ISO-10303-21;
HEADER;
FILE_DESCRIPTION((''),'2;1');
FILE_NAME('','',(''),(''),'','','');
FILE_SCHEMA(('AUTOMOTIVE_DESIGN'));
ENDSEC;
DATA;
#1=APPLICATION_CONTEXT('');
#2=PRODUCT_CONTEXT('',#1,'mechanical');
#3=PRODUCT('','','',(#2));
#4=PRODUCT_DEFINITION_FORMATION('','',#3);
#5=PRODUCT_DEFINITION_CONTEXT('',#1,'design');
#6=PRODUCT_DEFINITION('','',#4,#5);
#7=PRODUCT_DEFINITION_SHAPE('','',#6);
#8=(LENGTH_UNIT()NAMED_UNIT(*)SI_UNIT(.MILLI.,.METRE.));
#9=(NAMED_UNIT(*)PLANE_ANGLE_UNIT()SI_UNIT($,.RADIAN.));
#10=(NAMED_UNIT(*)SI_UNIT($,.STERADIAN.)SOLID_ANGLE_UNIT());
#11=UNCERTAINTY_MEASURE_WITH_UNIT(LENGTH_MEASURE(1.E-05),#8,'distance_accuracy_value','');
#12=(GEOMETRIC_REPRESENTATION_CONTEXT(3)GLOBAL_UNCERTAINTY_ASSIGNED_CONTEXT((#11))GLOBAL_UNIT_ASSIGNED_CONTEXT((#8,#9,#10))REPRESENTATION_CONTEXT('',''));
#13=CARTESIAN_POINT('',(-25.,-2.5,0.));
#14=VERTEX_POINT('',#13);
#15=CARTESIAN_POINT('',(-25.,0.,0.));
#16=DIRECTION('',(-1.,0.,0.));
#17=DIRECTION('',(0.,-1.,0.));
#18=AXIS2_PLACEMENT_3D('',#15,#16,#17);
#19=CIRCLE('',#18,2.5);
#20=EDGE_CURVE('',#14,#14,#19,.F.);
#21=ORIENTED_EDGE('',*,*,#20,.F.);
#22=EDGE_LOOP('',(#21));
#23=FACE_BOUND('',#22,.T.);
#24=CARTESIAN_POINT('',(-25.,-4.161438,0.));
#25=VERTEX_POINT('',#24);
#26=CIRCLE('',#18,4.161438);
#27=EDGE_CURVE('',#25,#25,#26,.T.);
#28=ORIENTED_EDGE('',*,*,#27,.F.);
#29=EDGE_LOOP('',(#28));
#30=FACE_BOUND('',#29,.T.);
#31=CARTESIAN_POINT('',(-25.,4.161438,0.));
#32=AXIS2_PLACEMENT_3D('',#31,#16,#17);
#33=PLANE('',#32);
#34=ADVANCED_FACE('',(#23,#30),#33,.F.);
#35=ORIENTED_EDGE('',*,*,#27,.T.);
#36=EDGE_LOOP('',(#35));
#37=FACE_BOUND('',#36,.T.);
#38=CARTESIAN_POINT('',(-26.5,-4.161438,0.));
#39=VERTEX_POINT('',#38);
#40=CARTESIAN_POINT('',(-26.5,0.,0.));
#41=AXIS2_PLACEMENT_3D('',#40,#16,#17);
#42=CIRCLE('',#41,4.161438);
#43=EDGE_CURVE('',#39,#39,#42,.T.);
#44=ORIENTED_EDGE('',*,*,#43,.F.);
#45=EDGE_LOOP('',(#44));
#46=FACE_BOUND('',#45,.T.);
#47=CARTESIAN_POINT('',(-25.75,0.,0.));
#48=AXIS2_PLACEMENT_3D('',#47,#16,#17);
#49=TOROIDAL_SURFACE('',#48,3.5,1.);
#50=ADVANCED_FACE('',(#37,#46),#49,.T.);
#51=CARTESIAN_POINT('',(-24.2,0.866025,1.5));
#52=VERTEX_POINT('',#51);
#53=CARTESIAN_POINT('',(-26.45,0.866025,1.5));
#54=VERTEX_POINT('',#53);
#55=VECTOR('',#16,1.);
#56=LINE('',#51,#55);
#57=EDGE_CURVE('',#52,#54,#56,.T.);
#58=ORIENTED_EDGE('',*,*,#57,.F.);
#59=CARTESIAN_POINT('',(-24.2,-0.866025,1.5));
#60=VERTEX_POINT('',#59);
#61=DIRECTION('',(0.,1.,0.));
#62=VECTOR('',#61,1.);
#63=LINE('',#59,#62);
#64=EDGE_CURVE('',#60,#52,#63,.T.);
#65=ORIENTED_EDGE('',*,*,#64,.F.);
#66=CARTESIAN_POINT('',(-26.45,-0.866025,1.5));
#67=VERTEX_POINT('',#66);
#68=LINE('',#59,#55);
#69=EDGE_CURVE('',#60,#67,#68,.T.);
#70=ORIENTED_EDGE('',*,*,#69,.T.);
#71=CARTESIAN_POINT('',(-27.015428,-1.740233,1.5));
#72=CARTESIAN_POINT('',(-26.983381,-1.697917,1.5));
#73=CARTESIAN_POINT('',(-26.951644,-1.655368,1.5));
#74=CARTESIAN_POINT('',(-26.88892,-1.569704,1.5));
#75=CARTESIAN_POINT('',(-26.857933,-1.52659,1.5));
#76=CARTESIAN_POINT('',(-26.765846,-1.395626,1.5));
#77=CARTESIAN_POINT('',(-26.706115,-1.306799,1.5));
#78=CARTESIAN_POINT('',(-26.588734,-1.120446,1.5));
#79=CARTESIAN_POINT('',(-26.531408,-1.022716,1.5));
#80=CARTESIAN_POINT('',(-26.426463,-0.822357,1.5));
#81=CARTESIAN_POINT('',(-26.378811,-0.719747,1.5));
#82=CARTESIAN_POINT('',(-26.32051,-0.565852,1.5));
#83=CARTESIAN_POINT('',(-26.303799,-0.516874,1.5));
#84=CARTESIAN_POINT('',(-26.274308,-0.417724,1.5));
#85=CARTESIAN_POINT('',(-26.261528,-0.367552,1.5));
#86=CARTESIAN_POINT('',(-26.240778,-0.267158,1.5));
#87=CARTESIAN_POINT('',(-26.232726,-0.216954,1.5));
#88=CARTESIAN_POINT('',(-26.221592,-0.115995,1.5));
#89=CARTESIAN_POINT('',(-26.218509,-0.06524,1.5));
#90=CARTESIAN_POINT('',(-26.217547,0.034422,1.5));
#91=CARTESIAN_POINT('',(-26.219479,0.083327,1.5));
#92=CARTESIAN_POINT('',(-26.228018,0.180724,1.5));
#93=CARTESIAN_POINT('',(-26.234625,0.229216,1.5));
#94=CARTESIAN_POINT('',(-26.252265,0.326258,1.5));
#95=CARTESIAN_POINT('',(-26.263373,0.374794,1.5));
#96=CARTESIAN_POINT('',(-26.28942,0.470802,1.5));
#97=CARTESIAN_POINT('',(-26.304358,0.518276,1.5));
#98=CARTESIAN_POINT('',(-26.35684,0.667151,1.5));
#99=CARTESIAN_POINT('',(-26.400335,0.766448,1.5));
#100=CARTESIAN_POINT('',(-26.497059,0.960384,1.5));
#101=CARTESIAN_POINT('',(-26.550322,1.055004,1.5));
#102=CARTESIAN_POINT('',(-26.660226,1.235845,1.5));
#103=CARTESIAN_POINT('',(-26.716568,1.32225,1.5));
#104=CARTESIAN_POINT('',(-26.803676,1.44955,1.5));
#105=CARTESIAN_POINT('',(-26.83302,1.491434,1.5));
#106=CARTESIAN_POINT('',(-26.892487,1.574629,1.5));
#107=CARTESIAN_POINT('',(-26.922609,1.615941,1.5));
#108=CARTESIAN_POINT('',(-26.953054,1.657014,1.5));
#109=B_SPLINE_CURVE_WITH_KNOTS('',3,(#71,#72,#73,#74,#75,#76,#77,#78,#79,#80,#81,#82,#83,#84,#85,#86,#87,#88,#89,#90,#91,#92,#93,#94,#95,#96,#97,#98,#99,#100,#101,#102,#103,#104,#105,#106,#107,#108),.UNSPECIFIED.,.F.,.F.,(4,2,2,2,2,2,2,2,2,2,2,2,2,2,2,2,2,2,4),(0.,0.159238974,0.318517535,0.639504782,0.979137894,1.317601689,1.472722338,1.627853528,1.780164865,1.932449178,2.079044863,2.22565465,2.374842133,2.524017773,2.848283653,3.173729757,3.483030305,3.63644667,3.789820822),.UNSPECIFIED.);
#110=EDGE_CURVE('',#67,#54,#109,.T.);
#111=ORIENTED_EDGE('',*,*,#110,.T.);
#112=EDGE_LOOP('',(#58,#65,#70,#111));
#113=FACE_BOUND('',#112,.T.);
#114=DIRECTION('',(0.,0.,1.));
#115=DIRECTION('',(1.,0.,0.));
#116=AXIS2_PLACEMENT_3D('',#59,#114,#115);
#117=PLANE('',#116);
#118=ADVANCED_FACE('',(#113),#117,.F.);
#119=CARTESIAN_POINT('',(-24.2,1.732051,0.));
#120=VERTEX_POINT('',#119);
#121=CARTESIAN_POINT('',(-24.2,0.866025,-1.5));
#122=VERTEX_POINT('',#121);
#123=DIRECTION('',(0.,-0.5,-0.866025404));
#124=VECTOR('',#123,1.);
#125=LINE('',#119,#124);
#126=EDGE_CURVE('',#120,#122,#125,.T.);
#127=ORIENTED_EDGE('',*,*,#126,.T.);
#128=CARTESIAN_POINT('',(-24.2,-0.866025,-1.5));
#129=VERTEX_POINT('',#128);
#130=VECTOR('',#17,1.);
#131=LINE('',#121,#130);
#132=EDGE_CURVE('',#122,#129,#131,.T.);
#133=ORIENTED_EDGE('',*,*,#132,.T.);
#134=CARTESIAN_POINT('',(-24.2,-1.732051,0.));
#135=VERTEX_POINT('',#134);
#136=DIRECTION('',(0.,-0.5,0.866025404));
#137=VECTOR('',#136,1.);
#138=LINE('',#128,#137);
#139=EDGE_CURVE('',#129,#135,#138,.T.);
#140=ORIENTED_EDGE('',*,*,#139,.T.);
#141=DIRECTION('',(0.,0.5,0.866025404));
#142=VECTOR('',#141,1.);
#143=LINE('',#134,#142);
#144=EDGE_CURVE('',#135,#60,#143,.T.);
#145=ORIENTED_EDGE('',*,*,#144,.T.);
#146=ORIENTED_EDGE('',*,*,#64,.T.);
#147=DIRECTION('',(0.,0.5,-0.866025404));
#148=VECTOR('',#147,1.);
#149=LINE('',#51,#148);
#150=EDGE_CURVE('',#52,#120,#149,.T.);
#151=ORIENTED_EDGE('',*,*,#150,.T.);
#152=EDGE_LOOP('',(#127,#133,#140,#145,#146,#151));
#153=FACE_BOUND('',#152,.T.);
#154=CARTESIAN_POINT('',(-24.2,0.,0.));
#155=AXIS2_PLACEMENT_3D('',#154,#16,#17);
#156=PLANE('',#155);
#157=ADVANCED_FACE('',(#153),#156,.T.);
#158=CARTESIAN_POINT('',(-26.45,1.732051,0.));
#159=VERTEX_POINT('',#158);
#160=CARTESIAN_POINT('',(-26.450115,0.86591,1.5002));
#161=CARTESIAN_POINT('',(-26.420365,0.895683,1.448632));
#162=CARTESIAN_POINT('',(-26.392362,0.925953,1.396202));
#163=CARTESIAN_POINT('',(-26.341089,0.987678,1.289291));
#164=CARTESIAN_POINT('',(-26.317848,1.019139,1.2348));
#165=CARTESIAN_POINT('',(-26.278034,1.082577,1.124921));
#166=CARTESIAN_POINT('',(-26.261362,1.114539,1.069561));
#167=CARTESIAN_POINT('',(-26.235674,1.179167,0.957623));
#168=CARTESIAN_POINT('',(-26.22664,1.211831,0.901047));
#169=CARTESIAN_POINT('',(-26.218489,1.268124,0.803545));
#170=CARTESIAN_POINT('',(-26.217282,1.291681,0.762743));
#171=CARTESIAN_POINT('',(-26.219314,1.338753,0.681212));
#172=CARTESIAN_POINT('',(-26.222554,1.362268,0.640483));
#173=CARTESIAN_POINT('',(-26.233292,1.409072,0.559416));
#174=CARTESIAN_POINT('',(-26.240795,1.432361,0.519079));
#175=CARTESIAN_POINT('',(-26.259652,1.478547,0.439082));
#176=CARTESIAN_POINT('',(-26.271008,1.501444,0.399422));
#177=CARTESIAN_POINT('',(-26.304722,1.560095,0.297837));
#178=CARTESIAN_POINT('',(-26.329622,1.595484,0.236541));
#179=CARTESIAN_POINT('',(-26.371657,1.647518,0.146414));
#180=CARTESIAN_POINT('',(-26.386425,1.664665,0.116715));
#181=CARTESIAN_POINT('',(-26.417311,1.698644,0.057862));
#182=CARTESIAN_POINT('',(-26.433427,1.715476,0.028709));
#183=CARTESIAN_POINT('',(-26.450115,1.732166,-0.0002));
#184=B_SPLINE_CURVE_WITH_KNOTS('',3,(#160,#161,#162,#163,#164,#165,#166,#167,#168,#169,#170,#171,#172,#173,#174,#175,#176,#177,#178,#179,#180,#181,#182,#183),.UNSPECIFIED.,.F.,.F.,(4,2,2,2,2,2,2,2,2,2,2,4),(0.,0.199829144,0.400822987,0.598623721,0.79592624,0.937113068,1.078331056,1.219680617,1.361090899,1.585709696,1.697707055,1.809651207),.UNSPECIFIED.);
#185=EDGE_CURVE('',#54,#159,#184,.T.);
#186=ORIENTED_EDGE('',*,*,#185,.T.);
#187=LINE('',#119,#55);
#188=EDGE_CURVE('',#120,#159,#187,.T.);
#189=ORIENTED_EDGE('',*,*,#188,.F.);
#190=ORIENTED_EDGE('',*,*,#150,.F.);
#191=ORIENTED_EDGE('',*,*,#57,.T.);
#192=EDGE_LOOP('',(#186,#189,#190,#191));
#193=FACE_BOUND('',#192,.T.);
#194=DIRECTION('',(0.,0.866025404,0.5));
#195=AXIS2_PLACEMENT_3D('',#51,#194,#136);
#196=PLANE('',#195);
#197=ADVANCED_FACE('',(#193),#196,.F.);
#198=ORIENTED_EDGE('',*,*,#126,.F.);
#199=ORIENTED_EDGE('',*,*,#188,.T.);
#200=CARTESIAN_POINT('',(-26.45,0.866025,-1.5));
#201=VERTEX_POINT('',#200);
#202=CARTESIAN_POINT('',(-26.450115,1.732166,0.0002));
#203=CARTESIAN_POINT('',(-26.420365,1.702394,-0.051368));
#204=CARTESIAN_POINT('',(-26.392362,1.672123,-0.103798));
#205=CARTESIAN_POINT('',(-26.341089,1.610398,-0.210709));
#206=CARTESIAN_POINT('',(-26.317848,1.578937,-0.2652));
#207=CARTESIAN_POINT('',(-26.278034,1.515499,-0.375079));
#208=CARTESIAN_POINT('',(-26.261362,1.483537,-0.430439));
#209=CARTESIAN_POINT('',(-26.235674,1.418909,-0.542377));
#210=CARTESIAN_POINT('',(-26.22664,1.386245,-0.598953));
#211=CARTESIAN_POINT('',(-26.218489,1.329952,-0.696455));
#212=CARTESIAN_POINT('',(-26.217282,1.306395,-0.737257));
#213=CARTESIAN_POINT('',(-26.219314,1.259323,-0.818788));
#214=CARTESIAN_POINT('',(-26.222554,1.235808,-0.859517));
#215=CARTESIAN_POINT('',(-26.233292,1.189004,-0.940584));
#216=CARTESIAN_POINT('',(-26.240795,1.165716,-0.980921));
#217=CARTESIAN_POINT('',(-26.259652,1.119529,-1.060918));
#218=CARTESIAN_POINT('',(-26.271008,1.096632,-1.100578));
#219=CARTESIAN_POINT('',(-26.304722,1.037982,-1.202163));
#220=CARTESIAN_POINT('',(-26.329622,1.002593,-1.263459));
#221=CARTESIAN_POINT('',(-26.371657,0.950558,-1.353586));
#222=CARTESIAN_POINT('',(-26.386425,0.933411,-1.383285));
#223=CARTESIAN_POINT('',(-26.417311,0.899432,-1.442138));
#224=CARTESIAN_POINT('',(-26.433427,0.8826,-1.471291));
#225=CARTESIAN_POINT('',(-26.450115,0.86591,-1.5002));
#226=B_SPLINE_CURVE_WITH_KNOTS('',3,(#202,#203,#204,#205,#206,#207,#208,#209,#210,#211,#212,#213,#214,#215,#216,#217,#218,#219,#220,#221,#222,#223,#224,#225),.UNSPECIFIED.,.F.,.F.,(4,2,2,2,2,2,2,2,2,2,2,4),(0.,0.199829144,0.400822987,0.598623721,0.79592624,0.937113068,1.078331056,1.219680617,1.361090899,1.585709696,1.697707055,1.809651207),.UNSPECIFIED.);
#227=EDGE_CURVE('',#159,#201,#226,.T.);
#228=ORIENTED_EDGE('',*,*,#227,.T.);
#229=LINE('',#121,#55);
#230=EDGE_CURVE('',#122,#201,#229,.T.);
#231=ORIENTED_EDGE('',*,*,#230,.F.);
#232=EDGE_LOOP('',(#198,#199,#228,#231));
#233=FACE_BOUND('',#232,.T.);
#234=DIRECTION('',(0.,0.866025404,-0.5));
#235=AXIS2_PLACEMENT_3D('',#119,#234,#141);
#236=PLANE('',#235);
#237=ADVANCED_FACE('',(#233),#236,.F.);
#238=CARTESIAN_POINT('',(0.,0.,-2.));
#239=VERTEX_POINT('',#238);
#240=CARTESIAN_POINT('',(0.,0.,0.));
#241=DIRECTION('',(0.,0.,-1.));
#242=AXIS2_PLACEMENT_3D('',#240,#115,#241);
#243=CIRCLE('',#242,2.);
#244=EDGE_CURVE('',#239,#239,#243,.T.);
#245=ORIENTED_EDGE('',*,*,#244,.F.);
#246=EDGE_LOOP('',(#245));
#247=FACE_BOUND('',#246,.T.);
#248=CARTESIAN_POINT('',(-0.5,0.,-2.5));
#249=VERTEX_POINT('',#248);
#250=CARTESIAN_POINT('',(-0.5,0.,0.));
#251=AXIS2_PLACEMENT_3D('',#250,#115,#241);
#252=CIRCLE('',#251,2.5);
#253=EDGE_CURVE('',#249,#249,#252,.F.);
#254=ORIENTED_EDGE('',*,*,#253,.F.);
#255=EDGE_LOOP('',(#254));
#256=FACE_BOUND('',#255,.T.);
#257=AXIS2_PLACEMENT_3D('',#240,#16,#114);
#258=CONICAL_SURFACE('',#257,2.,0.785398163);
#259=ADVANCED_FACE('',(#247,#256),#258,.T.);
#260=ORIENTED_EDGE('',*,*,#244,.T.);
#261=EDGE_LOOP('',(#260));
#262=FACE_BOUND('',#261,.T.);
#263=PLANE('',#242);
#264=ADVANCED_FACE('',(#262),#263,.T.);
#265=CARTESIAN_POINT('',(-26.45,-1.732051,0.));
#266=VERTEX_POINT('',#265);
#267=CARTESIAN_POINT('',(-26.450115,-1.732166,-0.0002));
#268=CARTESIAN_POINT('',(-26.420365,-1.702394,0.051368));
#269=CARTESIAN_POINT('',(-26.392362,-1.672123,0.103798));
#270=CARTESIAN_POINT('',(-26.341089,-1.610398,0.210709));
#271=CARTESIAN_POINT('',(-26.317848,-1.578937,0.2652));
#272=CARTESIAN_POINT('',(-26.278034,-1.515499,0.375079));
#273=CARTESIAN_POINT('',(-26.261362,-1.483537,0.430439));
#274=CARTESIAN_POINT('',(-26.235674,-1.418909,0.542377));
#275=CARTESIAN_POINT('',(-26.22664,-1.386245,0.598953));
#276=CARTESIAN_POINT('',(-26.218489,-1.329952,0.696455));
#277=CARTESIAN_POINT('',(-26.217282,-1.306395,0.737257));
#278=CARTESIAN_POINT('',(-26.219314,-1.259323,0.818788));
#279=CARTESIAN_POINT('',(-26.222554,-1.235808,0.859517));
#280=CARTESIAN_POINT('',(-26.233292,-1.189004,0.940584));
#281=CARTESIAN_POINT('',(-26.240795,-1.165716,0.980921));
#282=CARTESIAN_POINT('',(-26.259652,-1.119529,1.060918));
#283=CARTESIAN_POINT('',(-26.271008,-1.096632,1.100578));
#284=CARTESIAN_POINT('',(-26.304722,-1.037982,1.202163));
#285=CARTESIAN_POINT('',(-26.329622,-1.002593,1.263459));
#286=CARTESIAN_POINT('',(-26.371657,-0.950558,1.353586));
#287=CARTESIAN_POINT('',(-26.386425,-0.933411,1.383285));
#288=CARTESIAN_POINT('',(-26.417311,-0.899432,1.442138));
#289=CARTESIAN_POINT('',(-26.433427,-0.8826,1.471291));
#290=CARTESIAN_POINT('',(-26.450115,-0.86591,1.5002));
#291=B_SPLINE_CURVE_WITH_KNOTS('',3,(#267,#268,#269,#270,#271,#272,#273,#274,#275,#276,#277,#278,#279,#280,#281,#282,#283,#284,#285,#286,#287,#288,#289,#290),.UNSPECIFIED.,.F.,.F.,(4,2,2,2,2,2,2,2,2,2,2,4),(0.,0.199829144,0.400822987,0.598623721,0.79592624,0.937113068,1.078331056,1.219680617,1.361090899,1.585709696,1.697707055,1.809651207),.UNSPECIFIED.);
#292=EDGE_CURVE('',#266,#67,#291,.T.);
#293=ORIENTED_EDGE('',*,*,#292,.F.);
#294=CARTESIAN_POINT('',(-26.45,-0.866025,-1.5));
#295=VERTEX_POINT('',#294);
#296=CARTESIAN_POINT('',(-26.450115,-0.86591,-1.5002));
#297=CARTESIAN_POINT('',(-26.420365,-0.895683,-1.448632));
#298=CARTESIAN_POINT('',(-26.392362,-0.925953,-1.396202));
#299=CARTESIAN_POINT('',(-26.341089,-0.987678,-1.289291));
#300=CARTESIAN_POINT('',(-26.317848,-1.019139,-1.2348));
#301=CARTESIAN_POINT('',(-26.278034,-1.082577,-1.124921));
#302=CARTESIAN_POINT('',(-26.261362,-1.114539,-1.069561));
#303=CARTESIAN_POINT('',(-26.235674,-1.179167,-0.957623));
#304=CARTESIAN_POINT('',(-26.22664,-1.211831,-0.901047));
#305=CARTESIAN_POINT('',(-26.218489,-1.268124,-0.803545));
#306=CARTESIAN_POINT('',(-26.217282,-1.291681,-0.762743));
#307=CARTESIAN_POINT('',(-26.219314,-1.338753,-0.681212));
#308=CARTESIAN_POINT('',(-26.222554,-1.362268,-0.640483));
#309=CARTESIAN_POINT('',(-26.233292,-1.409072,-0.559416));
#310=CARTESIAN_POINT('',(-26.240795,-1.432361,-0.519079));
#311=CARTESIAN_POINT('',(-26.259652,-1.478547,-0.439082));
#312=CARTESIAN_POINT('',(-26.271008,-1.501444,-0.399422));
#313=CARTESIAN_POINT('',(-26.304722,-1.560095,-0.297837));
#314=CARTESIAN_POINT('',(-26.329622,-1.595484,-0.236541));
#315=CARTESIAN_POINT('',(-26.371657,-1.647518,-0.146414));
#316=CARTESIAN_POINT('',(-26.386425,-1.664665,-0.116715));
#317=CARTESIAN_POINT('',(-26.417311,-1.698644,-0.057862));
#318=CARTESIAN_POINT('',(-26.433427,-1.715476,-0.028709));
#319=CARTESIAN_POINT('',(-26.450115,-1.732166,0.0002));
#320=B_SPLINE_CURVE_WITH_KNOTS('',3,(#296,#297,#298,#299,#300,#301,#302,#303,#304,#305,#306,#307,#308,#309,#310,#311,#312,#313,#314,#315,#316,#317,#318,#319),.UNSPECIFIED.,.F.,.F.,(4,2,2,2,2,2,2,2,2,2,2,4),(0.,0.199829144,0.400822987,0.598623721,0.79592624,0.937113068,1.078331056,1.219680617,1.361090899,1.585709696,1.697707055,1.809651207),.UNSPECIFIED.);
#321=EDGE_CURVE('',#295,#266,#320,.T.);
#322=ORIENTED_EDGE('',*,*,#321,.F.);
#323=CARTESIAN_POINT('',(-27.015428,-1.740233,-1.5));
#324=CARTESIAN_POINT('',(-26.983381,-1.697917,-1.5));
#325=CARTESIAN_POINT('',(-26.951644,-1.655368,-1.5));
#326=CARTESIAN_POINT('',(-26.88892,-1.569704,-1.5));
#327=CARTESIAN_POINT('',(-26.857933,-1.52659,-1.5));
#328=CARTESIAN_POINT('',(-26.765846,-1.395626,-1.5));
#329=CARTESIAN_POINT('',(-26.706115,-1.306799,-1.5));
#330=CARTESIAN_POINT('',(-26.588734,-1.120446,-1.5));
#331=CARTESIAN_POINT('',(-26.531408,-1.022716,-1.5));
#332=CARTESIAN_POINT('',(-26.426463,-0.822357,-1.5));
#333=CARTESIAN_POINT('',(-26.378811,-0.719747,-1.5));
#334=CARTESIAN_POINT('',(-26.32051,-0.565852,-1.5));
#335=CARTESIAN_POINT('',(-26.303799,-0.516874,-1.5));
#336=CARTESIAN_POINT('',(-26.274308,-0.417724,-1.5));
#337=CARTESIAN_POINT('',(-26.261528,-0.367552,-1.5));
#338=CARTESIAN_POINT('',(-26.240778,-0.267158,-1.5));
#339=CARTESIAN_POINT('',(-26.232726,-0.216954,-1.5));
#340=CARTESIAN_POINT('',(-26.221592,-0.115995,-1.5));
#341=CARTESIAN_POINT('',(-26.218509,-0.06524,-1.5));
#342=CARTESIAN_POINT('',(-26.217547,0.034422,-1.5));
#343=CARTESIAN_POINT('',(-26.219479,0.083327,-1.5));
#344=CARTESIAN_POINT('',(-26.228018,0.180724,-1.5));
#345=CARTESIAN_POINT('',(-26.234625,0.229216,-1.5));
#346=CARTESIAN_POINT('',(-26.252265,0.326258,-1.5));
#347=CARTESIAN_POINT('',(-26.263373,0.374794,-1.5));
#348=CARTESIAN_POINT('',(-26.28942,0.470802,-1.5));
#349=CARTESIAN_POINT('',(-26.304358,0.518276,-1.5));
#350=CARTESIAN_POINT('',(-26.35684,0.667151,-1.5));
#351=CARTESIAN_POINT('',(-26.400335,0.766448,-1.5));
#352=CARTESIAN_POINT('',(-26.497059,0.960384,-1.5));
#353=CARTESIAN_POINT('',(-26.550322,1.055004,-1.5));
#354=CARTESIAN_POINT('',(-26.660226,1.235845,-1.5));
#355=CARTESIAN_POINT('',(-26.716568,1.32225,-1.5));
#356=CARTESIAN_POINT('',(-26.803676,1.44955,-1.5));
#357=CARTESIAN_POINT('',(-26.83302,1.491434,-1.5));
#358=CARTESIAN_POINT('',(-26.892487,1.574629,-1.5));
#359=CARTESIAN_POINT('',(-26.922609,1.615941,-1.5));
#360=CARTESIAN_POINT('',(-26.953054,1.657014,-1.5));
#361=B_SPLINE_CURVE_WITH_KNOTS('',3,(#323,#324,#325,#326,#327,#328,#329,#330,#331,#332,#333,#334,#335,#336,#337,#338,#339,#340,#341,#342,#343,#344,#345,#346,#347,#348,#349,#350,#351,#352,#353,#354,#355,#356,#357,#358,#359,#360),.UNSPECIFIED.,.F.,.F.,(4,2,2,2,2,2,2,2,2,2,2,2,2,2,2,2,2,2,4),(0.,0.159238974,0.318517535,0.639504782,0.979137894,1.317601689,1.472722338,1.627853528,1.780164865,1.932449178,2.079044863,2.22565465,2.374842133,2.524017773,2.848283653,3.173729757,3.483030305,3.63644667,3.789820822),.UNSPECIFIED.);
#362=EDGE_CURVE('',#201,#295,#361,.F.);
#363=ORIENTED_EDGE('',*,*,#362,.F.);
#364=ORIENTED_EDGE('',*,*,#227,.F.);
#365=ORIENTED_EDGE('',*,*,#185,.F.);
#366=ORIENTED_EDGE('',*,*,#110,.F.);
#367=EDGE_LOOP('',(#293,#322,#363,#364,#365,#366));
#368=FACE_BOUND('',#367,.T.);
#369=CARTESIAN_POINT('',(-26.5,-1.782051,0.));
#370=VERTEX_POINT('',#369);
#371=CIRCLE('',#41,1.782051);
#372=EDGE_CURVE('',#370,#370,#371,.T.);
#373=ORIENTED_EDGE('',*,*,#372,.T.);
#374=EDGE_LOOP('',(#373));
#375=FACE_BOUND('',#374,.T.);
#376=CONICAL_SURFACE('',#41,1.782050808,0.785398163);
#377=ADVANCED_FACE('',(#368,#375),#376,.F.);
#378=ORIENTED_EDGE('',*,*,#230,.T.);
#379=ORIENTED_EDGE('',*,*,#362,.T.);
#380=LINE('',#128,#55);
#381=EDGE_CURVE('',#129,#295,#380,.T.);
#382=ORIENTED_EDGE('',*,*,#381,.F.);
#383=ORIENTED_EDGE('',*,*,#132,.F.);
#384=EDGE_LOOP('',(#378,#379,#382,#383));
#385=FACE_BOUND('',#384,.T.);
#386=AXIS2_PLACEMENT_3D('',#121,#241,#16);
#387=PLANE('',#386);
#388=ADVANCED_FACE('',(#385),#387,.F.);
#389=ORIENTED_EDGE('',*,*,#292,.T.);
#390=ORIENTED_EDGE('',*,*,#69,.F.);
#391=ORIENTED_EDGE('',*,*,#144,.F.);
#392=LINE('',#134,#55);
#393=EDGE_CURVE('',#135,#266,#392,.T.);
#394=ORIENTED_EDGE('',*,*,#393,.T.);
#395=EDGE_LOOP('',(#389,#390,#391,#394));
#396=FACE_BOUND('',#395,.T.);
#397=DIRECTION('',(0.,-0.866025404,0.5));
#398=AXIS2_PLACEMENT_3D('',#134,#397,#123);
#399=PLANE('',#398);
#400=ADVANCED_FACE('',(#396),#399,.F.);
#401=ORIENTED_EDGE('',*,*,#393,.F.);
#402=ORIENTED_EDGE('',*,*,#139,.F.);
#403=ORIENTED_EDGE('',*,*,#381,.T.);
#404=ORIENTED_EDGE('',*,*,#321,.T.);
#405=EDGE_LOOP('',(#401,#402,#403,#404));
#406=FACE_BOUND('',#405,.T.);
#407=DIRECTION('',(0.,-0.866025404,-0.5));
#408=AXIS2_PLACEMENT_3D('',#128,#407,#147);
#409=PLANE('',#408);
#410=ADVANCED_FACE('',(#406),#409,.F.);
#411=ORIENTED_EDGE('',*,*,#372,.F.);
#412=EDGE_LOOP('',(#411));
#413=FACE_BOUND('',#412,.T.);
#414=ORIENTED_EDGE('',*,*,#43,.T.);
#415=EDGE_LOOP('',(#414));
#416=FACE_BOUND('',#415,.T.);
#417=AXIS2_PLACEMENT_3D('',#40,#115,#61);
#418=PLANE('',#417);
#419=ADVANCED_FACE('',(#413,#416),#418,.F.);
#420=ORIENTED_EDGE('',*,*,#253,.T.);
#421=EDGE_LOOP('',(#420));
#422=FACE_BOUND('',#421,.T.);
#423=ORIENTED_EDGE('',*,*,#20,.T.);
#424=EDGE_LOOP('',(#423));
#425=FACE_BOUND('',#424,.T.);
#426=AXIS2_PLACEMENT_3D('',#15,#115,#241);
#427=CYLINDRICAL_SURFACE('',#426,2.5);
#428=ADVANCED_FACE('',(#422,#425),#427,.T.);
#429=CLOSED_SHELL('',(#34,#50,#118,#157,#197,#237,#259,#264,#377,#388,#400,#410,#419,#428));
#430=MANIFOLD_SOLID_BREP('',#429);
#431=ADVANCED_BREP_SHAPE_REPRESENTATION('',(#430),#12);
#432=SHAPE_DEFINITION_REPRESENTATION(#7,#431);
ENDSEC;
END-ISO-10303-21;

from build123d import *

# Parameters (mm, degrees)
SKETCH2_R           = 2.5
BOSS_EXTRUDE1_DEPTH = 25
CHAMFER1_SIZE       = 0.5
CUT_EXTRUDE1_DEPTH  = 2.3
SKETCH8_R           = 1.782050808
CUT_EXTRUDE2_DEPTH  = 1
CUT_EXTRUDE2_TAPER  = 45


with BuildPart() as part:
    # Sketch2 → Boss-Extrude1 (new body)
    with BuildSketch(Plane(origin=(0, 0, 0), x_dir=(0, 0, -1), z_dir=(1, 0, 0))):
        Circle(SKETCH2_R)
    extrude(amount=-BOSS_EXTRUDE1_DEPTH)

    # Chamfer1
    chamfer1_edges = [part.edges().sort_by_distance(p)[0] for p in [
        (0, 0, 2.5),
    ]]
    chamfer(chamfer1_edges, length=CHAMFER1_SIZE)

    # Sketch6 → Revolve1 (revolve)
    with BuildSketch(Plane.XY):
        with BuildLine():
            Line((-26.5, 0), (-26.5, 4.161437828))
            ThreePointArc((-26.5, 4.161437828), (-25.75, 4.5), (-25, 4.161437828))
            Line((-25, 4.161437828), (-25, 0))
            Line((-25, 0), (-26.5, 0))
        make_face()
    revolve(axis=Axis((-25, 0, 0), (1, 0, 0)))

    # Sketch7 → Cut-Extrude1 (cut)
    with BuildSketch(Plane.ZY.offset(26.5)):
        Polygon((0, 1.732050808), (-1.5, 0.866025404), (-1.5, -0.866025404), (0, -1.732050808), (1.5, -0.866025404), (1.5, 0.866025404), align=None)
    extrude(amount=-CUT_EXTRUDE1_DEPTH, mode=Mode.SUBTRACT)

    # Sketch8 → Cut-Extrude2 (cut)
    with BuildSketch(Plane.ZY.offset(26.5)):
        Circle(SKETCH8_R)
    extrude(amount=-CUT_EXTRUDE2_DEPTH, taper=CUT_EXTRUDE2_TAPER, mode=Mode.SUBTRACT)


solid = part.part
